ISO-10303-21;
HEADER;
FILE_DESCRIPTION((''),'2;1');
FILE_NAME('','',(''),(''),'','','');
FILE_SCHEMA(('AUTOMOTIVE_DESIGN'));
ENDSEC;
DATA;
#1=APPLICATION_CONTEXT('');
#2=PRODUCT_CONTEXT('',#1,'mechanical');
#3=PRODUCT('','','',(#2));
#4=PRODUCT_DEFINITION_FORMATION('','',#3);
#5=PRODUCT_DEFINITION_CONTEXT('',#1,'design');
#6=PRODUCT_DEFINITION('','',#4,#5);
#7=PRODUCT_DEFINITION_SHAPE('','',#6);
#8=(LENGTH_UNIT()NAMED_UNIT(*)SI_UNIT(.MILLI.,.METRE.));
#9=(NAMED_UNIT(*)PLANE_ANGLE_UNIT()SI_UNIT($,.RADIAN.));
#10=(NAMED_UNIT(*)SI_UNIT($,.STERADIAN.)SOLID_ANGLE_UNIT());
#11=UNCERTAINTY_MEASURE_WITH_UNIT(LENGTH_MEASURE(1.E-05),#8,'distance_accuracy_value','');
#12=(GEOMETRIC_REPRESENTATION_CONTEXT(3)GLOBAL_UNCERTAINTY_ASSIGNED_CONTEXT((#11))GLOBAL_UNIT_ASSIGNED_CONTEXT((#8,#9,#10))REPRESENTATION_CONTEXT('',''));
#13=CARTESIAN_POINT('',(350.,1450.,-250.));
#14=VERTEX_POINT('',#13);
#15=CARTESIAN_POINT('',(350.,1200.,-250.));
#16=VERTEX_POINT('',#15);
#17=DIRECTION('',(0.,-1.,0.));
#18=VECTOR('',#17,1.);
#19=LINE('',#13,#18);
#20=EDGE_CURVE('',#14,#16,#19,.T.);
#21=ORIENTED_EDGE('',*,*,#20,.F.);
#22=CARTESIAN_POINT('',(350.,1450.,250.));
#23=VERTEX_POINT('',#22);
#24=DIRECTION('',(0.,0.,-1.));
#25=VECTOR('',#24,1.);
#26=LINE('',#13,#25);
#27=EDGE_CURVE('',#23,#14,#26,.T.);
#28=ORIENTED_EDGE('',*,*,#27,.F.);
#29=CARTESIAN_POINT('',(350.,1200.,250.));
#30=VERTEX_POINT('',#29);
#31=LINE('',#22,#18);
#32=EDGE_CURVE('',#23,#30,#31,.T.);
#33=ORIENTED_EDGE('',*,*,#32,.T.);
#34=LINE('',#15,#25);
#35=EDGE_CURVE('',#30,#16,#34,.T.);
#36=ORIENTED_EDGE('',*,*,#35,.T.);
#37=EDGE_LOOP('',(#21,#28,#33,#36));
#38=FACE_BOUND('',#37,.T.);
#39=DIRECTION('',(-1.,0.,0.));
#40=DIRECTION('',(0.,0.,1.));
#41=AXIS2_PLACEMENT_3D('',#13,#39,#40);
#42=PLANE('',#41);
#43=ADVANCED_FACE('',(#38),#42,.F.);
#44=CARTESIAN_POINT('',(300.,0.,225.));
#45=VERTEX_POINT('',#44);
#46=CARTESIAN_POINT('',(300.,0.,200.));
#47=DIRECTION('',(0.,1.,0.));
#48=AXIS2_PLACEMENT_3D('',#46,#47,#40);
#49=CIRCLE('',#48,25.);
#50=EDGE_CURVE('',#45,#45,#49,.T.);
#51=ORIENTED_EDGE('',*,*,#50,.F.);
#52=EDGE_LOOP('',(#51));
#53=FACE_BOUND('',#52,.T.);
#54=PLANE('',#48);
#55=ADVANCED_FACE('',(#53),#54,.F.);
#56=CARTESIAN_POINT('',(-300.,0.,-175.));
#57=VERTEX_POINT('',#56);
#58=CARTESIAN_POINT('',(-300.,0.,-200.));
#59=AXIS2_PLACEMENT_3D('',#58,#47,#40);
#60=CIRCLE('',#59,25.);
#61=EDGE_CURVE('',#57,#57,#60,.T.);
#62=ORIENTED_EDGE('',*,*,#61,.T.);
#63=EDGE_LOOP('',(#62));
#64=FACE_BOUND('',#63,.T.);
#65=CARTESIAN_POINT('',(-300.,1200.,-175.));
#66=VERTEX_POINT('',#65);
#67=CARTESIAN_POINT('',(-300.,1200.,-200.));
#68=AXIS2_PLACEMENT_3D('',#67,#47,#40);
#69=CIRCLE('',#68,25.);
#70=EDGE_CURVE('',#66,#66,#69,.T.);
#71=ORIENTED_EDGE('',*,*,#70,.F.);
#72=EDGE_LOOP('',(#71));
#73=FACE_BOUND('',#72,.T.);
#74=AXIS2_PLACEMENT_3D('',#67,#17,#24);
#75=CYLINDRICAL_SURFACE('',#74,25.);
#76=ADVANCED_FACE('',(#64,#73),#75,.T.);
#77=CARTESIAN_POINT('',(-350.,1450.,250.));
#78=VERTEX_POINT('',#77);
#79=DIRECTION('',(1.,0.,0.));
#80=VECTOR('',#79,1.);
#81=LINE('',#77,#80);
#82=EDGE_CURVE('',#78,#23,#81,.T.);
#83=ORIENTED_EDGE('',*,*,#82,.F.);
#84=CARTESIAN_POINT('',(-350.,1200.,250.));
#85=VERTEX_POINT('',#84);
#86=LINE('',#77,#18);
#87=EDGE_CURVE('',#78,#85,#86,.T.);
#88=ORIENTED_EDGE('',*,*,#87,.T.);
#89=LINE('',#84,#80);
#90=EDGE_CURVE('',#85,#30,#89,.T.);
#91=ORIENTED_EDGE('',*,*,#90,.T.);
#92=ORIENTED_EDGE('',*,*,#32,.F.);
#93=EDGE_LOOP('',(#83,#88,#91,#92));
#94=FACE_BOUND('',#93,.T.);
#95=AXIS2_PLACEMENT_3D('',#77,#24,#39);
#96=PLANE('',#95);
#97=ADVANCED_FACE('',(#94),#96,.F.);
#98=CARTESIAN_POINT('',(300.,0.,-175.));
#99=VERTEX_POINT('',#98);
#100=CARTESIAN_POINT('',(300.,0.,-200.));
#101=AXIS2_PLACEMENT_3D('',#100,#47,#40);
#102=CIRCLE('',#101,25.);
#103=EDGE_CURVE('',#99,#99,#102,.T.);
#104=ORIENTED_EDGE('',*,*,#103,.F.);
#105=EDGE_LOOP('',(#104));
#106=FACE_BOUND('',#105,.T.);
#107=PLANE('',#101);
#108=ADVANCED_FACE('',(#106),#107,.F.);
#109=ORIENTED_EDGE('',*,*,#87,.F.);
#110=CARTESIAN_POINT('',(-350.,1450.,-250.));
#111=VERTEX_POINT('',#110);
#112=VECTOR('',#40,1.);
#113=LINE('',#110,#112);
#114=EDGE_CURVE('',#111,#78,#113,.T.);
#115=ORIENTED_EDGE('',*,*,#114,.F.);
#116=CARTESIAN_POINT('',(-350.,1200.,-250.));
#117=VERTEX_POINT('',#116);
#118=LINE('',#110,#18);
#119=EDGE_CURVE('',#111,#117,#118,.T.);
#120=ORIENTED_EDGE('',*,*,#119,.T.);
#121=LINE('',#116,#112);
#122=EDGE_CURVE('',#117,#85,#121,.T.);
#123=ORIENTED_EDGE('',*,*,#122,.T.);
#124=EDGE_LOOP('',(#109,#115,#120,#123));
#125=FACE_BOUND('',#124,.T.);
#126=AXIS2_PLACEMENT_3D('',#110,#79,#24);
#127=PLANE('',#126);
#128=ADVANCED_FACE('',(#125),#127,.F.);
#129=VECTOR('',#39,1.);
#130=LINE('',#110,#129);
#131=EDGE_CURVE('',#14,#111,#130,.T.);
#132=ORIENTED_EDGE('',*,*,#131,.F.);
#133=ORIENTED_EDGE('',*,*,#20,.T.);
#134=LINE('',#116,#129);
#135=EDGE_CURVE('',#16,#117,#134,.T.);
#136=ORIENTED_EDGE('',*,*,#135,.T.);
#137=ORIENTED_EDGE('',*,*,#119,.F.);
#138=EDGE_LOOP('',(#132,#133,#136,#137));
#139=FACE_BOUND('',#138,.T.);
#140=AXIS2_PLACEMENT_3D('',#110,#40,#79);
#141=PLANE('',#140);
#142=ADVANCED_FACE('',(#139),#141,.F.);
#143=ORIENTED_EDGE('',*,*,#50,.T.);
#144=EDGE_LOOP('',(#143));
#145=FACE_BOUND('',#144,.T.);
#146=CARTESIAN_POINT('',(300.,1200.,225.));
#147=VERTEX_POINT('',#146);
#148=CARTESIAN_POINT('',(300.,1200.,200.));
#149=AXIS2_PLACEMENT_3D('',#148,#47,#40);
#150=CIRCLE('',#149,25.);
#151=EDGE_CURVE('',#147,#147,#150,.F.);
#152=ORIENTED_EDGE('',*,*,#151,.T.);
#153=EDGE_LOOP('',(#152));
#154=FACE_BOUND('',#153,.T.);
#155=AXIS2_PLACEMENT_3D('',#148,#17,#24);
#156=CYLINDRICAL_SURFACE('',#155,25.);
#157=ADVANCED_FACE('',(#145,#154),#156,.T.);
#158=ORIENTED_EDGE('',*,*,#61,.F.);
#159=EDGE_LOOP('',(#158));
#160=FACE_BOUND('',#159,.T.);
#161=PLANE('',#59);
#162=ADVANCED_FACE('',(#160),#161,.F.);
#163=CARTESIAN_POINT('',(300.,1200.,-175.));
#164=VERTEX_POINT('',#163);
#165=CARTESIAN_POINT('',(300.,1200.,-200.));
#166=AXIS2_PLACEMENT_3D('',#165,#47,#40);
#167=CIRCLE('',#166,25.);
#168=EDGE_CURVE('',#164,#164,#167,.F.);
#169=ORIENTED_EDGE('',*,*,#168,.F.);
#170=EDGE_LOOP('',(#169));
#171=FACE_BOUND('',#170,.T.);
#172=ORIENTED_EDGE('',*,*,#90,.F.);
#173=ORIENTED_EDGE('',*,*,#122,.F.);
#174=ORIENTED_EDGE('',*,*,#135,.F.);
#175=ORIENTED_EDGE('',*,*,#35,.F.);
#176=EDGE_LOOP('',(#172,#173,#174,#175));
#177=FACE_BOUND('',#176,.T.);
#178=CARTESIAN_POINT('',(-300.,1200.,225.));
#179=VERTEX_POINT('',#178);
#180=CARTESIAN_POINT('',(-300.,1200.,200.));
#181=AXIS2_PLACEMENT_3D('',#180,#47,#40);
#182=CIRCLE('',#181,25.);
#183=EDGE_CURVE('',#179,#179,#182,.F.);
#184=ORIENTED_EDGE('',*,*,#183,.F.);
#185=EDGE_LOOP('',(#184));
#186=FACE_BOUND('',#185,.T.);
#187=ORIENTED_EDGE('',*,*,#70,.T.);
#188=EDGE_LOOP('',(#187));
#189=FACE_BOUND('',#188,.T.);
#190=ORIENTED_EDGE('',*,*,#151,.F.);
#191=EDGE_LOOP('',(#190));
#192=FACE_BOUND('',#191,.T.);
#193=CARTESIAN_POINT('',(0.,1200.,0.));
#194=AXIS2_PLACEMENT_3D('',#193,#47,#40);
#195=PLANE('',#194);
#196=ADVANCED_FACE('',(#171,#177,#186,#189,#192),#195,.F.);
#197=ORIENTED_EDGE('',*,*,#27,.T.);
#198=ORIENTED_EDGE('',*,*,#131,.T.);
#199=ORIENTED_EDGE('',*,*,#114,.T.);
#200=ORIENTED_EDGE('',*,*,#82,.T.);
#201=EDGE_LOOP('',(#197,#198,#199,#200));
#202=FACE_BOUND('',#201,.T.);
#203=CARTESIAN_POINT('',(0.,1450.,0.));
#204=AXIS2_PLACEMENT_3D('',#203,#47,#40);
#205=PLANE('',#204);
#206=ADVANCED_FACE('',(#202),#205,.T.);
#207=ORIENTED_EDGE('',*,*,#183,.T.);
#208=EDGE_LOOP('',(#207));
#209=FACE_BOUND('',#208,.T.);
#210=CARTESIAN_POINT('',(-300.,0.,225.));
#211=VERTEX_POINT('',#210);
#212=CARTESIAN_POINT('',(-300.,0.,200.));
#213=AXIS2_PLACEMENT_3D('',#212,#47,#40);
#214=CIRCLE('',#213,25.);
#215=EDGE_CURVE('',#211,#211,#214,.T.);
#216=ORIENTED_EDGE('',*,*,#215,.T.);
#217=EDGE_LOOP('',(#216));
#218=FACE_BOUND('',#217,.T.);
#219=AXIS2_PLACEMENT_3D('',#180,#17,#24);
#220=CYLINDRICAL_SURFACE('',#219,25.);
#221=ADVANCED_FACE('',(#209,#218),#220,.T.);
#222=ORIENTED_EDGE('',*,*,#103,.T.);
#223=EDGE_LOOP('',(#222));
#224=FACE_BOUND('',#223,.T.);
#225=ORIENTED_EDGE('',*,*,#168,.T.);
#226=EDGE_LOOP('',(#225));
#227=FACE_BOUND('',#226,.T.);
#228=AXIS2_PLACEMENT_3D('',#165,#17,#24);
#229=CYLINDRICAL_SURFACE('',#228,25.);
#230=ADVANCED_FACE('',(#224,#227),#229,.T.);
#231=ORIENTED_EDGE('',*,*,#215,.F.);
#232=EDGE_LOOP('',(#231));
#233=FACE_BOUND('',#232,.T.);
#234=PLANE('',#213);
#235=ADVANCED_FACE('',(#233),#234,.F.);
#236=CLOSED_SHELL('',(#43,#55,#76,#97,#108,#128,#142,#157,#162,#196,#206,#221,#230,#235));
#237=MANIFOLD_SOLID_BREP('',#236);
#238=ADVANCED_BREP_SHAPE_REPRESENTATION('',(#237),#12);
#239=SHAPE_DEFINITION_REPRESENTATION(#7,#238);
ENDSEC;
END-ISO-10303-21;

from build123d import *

# Parameters (mm, degrees)
SKETCH_1_R        = 25
EXTRUDE_1_DEPTH   = 1200
EXTRUDE_1_2_DEPTH = 1200
EXTRUDE_1_3_DEPTH = 1200
EXTRUDE_1_4_DEPTH = 1200
SKETCH_2_W        = 700
SKETCH_2_H        = 500
EXTRUDE_2_DEPTH   = 250


with BuildPart() as part:
    # 草图1 → 凸台-拉伸1 (new body)
    with BuildSketch(Plane(origin=(0, 0, 0), x_dir=(1, 0, 0), z_dir=(0, 1, 0))):
        with Locations((-300, 200)):
            Circle(SKETCH_1_R)
    extrude(amount=EXTRUDE_1_DEPTH)



with BuildPart() as body_2:
    # 草图1 → Extrude 1 2 (new body)
    with BuildSketch(Plane(origin=(0, 0, 0), x_dir=(1, 0, 0), z_dir=(0, 1, 0))):
        with Locations((300, 200)):
            Circle(SKETCH_1_R)
    extrude(amount=EXTRUDE_1_2_DEPTH)


with BuildPart() as body_3:
    # 草图1 → Extrude 1 3 (new body)
    with BuildSketch(Plane(origin=(0, 0, 0), x_dir=(1, 0, 0), z_dir=(0, 1, 0))):
        with Locations((300, -200)):
            Circle(SKETCH_1_R)
    extrude(amount=EXTRUDE_1_3_DEPTH)


with BuildPart() as body_4:
    # 草图1 → Extrude 1 4 (new body)
    with BuildSketch(Plane(origin=(0, 0, 0), x_dir=(1, 0, 0), z_dir=(0, 1, 0))):
        with Locations((-300, -200)):
            Circle(SKETCH_1_R)
    extrude(amount=EXTRUDE_1_4_DEPTH)


with BuildPart() as part_1:
    add(part.part)

    add(body_2.part)  # 凸台-拉伸2 merges body 2

    add(body_3.part)  # 凸台-拉伸2 merges body 3

    add(body_4.part)  # 凸台-拉伸2 merges body 4
    # 草图2 → 凸台-拉伸2 (add)
    with BuildSketch(Plane(origin=(0, 1200, 0), x_dir=(1, 0, 0), z_dir=(0, 1, 0))):
        Rectangle(SKETCH_2_W, SKETCH_2_H)
    extrude(amount=EXTRUDE_2_DEPTH)


solid = part_1.part
